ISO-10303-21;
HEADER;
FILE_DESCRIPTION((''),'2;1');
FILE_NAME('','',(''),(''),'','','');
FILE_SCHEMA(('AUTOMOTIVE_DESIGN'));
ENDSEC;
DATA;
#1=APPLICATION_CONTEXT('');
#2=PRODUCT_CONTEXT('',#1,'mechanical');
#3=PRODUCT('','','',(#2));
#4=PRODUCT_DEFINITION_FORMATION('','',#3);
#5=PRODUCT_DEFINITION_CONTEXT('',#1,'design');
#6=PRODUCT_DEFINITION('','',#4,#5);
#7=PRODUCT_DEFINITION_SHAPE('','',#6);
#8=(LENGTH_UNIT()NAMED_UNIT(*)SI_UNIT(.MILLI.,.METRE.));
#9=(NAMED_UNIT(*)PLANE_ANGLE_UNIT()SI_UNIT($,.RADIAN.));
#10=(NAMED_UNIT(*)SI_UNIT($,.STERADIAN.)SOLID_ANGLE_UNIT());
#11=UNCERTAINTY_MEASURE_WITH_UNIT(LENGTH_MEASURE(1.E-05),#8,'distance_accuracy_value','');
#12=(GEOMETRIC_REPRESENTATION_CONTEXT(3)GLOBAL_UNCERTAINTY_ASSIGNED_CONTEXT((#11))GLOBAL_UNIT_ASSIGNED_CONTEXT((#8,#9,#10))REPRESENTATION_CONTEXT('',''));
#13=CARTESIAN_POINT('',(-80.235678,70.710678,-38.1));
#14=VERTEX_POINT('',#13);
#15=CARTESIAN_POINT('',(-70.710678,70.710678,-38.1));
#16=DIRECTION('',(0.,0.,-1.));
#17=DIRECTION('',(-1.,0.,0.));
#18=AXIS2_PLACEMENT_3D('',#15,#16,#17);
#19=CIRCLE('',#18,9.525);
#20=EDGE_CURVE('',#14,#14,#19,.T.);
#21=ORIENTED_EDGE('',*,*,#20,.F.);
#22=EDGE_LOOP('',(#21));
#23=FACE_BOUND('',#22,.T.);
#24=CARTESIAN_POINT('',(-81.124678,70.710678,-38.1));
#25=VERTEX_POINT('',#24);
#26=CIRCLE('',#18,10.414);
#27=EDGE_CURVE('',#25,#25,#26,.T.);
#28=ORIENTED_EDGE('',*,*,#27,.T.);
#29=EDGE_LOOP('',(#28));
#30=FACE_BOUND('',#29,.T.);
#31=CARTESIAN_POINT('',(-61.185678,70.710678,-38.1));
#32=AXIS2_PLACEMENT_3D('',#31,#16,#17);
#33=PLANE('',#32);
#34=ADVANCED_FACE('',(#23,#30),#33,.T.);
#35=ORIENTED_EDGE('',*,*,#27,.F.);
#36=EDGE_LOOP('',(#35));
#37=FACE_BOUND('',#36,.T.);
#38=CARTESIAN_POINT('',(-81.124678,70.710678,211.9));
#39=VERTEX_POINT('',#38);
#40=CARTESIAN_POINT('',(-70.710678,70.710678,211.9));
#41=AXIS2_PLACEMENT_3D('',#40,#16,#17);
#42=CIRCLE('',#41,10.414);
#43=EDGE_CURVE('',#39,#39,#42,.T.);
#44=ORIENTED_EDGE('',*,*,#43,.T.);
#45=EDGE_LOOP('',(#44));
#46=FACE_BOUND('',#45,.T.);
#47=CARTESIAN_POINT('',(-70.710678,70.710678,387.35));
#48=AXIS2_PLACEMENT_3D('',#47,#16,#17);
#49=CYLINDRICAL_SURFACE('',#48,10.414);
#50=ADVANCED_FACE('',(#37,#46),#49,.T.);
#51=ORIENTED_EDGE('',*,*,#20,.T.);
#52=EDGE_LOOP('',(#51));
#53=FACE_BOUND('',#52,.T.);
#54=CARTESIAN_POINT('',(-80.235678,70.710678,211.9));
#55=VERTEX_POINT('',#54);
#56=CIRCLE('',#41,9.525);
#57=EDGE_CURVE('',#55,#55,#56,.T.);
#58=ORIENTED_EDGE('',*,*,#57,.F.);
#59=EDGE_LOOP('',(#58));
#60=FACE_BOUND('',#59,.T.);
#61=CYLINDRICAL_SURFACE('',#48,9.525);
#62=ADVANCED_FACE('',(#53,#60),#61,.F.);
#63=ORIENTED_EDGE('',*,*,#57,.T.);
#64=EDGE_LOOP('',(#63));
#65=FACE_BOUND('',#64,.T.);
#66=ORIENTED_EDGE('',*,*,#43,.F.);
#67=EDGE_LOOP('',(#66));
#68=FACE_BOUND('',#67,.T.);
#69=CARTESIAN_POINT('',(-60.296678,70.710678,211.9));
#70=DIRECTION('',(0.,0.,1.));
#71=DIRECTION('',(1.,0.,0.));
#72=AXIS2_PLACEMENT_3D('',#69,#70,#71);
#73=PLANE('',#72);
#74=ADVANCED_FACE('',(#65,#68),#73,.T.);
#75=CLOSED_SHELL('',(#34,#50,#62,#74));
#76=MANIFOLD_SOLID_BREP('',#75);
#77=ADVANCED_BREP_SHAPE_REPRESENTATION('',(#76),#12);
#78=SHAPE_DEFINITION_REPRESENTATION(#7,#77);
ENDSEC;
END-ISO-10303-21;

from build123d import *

# Parameters (mm, degrees)
SKETCH_1_W = 0.889
SKETCH_1_H = 250


with BuildPart() as part:
    # 草图1 → 旋转1 (revolve)
    with BuildSketch(Plane.XZ.offset(-70.710678119)):
        with Locations((-60.741178119, 86.9)):
            Rectangle(SKETCH_1_W, SKETCH_1_H)
    revolve(axis=Axis((-70.710678119, 70.710678119, 387.35), (0, 0, -1)))


solid = part.part
